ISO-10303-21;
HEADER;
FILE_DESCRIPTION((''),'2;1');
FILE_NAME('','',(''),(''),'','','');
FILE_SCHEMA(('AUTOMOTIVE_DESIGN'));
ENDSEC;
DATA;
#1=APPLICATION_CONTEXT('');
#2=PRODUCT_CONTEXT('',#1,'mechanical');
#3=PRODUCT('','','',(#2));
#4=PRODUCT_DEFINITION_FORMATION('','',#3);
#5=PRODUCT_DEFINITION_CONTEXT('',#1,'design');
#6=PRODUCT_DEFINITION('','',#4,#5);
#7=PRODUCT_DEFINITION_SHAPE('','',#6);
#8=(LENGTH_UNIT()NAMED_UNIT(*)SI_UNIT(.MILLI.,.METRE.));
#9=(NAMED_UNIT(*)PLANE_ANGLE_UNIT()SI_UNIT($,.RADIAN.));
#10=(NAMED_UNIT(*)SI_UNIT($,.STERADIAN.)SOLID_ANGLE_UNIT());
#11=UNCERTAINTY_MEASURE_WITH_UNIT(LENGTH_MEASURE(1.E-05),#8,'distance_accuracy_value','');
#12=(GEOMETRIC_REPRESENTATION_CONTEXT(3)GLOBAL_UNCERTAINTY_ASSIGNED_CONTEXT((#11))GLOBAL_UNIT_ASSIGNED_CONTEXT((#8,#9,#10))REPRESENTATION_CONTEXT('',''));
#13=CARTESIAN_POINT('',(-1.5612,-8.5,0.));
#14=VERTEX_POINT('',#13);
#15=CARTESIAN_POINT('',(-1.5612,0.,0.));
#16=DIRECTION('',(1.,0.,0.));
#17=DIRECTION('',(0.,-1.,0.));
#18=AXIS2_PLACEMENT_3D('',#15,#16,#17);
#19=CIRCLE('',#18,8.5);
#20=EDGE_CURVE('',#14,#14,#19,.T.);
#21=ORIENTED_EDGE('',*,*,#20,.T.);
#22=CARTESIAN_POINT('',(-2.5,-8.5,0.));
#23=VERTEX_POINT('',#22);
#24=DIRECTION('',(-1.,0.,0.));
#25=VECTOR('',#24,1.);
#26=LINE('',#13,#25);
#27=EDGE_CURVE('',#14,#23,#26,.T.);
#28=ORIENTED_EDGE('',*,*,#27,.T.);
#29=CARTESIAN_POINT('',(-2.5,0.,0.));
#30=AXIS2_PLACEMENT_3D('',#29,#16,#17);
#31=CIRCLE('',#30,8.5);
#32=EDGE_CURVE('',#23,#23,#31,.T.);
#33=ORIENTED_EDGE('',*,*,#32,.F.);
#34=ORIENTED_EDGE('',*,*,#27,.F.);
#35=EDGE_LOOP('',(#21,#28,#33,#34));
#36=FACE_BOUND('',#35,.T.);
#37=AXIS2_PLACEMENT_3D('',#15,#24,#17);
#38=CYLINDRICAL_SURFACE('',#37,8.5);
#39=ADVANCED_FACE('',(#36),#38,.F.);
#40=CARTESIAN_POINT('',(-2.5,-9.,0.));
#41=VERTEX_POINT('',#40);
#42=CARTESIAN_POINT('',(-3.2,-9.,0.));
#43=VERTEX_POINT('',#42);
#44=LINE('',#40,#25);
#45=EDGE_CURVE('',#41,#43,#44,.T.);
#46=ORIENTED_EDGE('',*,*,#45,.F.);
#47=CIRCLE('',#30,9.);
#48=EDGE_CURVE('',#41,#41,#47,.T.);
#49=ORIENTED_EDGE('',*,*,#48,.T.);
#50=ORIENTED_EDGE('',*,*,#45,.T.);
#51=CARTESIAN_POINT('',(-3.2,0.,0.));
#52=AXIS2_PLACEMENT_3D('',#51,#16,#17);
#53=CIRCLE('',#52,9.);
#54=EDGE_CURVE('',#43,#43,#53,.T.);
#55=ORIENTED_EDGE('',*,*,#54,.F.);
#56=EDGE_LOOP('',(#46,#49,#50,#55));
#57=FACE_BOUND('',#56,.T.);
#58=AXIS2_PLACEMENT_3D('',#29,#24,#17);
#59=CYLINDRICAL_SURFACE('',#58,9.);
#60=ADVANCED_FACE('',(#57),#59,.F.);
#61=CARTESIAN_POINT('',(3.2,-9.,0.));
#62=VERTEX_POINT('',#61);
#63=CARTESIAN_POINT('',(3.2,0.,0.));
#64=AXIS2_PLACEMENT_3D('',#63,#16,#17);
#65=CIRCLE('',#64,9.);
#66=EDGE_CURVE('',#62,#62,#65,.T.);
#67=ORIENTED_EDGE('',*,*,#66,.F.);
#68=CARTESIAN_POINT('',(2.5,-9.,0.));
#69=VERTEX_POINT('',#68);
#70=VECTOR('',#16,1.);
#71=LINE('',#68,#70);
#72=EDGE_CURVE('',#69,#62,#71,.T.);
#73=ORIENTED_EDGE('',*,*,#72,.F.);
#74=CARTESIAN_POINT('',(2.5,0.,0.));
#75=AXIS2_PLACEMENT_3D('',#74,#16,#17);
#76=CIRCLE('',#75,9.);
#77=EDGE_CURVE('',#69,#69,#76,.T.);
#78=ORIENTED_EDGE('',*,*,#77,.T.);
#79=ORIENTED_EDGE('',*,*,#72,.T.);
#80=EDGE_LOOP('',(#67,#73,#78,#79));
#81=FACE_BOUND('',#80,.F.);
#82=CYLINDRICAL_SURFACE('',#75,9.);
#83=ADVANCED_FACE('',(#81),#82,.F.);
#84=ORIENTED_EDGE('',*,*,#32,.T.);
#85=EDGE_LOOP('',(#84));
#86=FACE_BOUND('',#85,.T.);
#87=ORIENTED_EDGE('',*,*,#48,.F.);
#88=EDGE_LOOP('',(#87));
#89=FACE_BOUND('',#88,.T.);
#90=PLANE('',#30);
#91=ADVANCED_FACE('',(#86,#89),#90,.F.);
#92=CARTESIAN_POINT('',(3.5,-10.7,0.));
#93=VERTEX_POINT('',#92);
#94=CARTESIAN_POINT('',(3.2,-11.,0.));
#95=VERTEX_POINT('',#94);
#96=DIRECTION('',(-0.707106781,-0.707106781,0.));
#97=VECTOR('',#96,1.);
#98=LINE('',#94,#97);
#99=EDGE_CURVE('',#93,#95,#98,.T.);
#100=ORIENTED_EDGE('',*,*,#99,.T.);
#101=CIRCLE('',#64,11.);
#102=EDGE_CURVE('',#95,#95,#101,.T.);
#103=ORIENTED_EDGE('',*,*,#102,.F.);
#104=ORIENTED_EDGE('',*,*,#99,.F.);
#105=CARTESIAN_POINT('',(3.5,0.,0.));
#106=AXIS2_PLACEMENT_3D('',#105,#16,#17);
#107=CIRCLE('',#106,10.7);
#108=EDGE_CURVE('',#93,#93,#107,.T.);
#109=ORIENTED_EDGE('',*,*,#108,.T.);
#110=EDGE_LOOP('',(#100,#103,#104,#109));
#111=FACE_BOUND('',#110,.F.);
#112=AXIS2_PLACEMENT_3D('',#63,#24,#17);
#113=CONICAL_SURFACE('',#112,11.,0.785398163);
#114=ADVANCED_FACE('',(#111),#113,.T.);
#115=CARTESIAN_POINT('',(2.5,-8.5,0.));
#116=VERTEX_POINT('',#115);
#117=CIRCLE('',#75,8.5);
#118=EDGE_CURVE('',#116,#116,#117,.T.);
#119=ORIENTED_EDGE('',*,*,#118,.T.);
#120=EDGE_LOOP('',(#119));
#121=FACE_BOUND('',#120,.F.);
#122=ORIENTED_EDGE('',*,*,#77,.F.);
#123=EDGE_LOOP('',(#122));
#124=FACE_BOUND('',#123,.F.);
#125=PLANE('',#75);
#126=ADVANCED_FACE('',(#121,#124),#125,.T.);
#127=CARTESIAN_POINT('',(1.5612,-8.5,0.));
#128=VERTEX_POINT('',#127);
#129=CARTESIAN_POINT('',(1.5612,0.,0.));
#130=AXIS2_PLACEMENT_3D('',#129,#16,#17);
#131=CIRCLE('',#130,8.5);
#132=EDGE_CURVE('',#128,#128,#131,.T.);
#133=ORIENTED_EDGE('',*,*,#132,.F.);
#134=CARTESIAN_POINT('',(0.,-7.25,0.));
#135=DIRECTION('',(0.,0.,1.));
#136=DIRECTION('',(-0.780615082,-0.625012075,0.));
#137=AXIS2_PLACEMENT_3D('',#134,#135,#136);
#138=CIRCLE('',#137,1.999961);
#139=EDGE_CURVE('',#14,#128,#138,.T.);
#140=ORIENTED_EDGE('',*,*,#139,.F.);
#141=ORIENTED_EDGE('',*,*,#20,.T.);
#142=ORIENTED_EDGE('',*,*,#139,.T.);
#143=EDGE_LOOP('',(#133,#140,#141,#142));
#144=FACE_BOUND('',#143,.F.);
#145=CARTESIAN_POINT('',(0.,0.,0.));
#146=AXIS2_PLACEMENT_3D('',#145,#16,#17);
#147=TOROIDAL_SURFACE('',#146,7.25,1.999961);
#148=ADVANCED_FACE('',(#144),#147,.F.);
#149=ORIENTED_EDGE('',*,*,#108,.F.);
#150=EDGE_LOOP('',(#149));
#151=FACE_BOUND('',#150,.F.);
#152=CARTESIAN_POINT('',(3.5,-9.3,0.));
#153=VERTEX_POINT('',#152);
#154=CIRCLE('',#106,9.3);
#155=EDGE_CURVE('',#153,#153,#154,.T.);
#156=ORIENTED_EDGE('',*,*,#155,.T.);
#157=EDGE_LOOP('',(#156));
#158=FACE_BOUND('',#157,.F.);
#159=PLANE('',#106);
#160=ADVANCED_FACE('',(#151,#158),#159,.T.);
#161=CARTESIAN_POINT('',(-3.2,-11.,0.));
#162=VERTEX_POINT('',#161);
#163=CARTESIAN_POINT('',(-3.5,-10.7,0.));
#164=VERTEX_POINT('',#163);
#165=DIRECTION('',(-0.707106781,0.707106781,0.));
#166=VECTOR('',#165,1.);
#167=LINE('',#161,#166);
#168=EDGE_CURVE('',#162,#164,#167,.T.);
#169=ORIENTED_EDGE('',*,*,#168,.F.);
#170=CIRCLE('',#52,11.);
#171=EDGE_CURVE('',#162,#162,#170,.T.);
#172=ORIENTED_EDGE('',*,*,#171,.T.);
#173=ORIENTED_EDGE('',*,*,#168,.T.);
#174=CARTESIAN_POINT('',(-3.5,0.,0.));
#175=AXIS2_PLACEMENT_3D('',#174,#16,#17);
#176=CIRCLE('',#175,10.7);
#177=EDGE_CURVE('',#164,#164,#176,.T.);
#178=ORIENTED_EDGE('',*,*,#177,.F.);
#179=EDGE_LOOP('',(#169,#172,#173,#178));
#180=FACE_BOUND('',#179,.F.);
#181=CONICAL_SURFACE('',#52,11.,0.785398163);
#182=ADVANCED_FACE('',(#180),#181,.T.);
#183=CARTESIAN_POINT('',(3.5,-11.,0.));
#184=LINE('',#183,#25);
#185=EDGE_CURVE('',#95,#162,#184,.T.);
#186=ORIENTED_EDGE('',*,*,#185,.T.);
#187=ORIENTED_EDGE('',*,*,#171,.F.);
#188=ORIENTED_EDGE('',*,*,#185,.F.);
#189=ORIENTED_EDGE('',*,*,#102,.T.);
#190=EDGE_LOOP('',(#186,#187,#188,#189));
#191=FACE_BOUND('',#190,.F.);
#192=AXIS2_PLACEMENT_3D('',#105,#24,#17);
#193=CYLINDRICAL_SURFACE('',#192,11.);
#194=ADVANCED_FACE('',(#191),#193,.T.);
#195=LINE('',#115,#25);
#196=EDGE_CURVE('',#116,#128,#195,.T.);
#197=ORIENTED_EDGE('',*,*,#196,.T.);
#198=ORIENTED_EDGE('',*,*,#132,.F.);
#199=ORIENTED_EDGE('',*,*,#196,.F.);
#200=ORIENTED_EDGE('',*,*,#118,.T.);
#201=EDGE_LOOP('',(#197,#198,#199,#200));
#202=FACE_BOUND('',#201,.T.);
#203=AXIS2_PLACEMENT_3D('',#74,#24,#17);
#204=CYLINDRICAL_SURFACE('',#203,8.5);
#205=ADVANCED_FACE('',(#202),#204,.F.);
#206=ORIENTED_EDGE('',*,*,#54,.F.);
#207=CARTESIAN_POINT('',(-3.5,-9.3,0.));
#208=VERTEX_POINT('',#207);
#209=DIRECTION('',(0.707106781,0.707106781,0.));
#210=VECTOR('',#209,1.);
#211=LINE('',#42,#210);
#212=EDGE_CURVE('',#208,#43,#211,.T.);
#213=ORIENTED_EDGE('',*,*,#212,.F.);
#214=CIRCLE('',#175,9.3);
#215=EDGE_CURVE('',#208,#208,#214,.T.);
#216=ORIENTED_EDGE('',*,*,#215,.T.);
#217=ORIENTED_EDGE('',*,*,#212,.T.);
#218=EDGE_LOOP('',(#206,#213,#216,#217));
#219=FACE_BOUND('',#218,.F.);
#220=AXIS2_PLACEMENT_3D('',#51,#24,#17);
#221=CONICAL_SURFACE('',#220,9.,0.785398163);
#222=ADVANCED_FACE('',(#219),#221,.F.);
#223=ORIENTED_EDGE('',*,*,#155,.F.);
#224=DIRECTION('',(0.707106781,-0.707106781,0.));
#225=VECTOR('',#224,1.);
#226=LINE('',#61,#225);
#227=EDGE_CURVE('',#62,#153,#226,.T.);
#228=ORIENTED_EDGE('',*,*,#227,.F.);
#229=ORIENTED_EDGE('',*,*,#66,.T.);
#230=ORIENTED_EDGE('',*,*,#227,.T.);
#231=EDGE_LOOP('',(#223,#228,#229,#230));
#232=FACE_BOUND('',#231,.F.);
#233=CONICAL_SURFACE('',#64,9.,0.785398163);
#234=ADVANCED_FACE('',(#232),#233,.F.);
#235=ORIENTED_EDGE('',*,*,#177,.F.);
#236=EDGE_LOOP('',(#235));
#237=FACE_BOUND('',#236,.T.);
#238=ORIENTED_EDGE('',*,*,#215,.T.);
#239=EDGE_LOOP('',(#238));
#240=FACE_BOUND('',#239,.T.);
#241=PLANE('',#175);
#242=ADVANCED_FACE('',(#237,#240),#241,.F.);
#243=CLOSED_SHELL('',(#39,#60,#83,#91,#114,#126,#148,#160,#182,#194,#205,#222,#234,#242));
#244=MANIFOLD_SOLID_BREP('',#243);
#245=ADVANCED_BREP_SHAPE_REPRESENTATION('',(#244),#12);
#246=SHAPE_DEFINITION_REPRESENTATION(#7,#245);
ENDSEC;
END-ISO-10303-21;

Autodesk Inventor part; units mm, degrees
ref_plane "YZ Plane" through (0, 0, 0) normal (1, 0, 0) x (0, 1, 0)
ref_plane "XZ Plane" through (0, 0, 0) normal (0, 1, 0) x (-1, 0, 0)
ref_plane "XY Plane" through (0, 0, 0) normal (0, 0, 1) x (1, 0, 0)
sketch "Sketch1" plane through (0, 0, 0) normal (0, 0, 1) x (1, 0, 0)
  line L0 (3.5, -8.5) -> (2.5, -8.5) construction
  line L1 (-2.5, -8.5) -> (-3.5, -8.5) construction
  line L2 (-2.5, -8.5) -> (-2.5, -9)
  line L3 (2.5, -8.5) -> (2.5, -9)
  line L4 (-2.5, -9) -> (-3.5, -9)
  line L5 (-3.5, -9) -> (-3.5, -11)
  line L6 (2.5, -9) -> (3.5, -9)
  line L7 (3.5, -9) -> (3.5, -11)
  line L8 (3.5, -11) -> (-3.5, -11)
  line L9 (-4.9, 0) -> (4.9, 0) projected
  line L10 (0, -8.5) -> (0, -7.25) construction
  arc A0 (-1.5612, -8.5) -> (1.5612, -8.5) centre (0, -7.25) ccw
  line L11 (2.5, -8.5) -> (1.5612, -8.5)
  line L12 (-1.5612, -8.5) -> (-2.5, -8.5)
  line L13 (1.5612, -8.5) -> (-1.5612, -8.5) construction
  point P0 (0, 0)
  dimension "d1" = 7
  dimension "d2" = 1
  dimension "d3" = 1
  dimension "d4" = 0.5
  dimension "d5" = 2
  dimension "d19" = 1.25
  dimension "d20" = 4
revolve "Revolution1" add sketch "Sketch1" angle 360 about axis through (-10, 0, 0) along (1, 0, 0)
chamfer "Chamfer1" distance 0.3 angle 45 4 edges at (3.5, 9, 0) (-3.5, 11, 0) (-3.5, 9, 0) (3.5, 11, 0)
properties part number "Bearings - Outer Race" material "Stainless Steel"
